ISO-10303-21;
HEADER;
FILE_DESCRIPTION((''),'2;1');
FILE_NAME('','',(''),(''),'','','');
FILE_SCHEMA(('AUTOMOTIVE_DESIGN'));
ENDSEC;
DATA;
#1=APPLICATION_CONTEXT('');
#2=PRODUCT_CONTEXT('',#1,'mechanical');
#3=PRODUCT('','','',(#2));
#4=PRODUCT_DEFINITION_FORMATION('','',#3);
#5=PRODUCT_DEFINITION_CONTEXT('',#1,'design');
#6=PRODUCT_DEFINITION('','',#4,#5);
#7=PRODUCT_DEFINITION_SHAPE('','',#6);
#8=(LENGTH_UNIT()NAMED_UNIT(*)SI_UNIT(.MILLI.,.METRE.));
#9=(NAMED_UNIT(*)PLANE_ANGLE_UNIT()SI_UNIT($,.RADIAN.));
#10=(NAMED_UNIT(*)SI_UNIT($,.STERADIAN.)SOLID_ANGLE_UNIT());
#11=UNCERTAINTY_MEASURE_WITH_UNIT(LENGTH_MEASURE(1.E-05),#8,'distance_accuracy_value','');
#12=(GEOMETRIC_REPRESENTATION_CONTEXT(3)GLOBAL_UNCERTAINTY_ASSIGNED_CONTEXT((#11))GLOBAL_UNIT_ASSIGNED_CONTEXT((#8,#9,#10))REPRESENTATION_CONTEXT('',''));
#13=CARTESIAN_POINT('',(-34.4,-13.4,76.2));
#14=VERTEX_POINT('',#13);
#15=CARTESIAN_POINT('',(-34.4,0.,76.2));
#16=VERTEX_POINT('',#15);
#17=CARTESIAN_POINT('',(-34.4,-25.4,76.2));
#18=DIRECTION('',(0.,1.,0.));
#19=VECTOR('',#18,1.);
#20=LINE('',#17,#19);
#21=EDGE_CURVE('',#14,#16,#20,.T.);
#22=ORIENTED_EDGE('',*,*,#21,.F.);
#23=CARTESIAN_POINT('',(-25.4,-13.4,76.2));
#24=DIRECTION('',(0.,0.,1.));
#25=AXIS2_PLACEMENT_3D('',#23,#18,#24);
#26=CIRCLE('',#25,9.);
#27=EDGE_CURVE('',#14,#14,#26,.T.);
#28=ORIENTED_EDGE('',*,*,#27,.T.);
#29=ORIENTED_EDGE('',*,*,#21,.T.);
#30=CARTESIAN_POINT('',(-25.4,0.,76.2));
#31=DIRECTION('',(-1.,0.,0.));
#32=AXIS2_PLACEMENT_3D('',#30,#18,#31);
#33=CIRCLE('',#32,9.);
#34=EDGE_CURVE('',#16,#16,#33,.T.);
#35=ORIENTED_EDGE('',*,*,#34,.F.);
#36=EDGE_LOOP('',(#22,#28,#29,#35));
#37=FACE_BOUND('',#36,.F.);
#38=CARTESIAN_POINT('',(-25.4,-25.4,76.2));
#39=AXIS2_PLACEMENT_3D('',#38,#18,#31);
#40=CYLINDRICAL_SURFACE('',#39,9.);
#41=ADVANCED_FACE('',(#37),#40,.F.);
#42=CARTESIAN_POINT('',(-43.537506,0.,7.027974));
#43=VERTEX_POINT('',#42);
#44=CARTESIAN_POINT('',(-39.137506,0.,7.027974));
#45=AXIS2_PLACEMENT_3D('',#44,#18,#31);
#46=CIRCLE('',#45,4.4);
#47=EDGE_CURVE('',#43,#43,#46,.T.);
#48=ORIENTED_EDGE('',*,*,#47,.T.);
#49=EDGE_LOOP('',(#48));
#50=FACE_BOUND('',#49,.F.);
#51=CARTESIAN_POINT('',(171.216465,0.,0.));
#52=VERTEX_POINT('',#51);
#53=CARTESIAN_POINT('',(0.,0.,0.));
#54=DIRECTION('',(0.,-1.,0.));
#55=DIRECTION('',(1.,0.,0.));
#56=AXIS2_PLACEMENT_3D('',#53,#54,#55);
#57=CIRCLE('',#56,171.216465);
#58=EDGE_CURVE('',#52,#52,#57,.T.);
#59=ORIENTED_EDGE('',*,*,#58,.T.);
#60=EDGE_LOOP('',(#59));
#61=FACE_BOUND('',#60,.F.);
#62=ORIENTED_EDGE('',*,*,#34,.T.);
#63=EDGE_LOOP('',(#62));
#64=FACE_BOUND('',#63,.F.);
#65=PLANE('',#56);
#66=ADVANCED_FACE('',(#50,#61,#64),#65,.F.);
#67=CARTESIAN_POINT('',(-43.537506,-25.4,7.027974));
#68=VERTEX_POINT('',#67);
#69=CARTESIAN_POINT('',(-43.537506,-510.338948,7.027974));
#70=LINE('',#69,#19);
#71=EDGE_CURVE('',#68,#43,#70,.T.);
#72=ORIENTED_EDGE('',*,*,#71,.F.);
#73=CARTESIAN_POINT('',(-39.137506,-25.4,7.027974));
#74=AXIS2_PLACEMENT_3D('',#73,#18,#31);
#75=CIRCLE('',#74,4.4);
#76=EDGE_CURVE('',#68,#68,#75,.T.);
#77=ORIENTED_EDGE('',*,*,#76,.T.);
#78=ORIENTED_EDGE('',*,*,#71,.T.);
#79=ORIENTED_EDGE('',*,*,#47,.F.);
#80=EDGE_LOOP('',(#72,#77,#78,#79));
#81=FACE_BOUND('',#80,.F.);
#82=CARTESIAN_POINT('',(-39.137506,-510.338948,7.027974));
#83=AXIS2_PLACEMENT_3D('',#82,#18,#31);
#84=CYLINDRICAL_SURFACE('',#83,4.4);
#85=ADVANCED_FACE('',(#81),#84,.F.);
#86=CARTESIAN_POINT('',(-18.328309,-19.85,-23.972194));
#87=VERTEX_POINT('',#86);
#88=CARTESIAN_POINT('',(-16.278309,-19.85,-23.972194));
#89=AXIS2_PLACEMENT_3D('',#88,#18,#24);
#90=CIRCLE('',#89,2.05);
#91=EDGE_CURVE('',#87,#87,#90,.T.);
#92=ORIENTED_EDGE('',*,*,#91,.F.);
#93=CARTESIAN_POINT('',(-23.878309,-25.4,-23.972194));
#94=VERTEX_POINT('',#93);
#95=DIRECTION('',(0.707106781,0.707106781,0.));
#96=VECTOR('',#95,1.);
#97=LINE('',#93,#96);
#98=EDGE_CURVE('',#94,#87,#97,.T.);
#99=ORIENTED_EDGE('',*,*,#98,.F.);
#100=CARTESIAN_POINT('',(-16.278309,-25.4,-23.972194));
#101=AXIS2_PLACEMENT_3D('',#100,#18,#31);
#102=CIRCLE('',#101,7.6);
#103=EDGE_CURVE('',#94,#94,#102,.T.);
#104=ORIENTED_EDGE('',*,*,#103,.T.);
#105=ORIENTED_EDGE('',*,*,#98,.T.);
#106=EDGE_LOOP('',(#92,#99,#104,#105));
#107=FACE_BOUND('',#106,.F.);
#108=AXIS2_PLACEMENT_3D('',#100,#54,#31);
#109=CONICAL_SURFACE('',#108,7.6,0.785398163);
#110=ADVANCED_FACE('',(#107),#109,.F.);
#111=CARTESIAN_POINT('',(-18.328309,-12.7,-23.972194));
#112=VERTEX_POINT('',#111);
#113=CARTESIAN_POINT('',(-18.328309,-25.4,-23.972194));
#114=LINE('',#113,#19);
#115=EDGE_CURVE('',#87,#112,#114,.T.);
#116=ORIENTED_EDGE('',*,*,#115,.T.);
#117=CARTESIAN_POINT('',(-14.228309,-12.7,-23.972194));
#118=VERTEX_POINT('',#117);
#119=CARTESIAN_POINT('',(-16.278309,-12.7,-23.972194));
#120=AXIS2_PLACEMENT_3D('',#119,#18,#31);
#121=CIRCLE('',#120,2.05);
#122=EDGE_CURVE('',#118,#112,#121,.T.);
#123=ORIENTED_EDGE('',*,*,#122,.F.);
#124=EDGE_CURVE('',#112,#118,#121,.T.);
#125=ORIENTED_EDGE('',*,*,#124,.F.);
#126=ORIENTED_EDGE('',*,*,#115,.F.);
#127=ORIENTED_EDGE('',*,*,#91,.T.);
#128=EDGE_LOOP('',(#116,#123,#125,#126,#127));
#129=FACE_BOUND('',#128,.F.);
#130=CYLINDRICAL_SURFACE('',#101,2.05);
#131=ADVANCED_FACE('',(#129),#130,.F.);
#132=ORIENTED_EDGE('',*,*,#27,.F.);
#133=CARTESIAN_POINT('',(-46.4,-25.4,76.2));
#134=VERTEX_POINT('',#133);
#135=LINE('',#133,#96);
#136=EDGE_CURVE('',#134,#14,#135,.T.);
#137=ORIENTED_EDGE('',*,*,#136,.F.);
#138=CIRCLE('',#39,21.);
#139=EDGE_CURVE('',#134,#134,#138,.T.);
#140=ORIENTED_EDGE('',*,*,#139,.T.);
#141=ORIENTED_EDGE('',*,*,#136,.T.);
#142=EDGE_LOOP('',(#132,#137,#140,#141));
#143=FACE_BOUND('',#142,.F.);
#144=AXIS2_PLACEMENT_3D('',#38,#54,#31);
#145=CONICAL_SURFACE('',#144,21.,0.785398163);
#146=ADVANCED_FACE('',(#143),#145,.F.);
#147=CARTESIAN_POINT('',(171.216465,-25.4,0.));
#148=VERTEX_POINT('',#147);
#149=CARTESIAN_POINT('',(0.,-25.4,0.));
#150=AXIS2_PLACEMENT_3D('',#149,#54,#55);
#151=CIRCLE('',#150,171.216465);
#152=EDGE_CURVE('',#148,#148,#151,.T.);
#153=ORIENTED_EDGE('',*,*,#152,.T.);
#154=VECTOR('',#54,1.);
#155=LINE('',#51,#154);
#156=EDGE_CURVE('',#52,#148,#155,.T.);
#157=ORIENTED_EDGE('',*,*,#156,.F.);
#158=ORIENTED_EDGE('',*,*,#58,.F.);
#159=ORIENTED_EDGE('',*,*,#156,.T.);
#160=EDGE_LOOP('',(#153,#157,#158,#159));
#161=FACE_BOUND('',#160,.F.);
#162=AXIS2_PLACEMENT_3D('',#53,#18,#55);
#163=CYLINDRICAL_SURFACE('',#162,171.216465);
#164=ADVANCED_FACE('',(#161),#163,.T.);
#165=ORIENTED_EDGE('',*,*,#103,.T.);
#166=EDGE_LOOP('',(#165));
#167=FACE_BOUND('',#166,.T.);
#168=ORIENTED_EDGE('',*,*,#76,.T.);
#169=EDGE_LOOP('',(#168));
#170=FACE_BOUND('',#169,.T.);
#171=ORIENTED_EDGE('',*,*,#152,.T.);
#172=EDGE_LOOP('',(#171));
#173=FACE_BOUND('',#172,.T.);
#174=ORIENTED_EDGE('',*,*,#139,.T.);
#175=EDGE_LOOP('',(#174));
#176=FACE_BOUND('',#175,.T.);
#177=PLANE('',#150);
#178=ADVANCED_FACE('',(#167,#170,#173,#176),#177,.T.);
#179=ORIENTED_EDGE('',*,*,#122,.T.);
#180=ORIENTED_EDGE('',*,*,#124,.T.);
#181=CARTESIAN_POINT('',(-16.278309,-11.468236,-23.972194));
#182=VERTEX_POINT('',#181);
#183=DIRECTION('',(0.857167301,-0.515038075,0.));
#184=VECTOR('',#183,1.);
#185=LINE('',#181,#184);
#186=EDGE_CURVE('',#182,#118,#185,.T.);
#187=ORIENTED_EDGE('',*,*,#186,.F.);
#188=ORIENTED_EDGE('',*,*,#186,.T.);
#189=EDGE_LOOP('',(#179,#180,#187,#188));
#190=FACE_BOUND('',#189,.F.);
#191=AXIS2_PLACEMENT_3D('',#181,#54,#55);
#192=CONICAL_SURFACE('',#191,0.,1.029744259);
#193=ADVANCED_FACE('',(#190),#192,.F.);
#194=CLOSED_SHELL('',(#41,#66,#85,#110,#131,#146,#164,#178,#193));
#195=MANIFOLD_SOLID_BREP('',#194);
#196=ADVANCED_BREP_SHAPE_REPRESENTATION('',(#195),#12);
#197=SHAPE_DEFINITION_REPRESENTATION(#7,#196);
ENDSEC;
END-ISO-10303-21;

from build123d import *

# Parameters (mm, degrees)
F0_R           = 171.216465226
F1_DEPTH       = 25.4
F3_D           = 8.8
F4_D           = 18
F4_CSINK_D     = 42
F4_CSINK_ANGLE = 90
F5_D           = 4.1
F5_DEPTH       = 12.7
F5_CSINK_D     = 15.2
F5_CSINK_ANGLE = 90
F5_TIP         = 1.231764269


with BuildPart() as f1:
    # F0 (on Front) → F1 (new body)
    with BuildSketch(Plane.XZ):
        Circle(F0_R)
    extrude(amount=F1_DEPTH)

    # F3 (through all)
    with Locations(Plane.XZ.offset(25.4)):
        with Locations((-39.1375060386, 7.0279744302)):
            Hole(F3_D / 2)

    # F4 (through all)
    with Locations(Plane.XZ.offset(25.4)):
        with Locations((-25.4, 76.2)):
            CounterSinkHole(F4_D / 2, F4_CSINK_D / 2, counter_sink_angle=F4_CSINK_ANGLE)

    # F5
    with Locations(Plane.XZ.offset(25.4)):
        with Locations((-16.2783094505, -23.9721943216)):
            CounterSinkHole(F5_D / 2, F5_CSINK_D / 2, depth=F5_DEPTH, counter_sink_angle=F5_CSINK_ANGLE)
            with Locations((0, 0, -(F5_DEPTH + F5_TIP / 2))):  # 118° drill point
                Cone(0, F5_D / 2, F5_TIP, mode=Mode.SUBTRACT)


solid = f1.part
